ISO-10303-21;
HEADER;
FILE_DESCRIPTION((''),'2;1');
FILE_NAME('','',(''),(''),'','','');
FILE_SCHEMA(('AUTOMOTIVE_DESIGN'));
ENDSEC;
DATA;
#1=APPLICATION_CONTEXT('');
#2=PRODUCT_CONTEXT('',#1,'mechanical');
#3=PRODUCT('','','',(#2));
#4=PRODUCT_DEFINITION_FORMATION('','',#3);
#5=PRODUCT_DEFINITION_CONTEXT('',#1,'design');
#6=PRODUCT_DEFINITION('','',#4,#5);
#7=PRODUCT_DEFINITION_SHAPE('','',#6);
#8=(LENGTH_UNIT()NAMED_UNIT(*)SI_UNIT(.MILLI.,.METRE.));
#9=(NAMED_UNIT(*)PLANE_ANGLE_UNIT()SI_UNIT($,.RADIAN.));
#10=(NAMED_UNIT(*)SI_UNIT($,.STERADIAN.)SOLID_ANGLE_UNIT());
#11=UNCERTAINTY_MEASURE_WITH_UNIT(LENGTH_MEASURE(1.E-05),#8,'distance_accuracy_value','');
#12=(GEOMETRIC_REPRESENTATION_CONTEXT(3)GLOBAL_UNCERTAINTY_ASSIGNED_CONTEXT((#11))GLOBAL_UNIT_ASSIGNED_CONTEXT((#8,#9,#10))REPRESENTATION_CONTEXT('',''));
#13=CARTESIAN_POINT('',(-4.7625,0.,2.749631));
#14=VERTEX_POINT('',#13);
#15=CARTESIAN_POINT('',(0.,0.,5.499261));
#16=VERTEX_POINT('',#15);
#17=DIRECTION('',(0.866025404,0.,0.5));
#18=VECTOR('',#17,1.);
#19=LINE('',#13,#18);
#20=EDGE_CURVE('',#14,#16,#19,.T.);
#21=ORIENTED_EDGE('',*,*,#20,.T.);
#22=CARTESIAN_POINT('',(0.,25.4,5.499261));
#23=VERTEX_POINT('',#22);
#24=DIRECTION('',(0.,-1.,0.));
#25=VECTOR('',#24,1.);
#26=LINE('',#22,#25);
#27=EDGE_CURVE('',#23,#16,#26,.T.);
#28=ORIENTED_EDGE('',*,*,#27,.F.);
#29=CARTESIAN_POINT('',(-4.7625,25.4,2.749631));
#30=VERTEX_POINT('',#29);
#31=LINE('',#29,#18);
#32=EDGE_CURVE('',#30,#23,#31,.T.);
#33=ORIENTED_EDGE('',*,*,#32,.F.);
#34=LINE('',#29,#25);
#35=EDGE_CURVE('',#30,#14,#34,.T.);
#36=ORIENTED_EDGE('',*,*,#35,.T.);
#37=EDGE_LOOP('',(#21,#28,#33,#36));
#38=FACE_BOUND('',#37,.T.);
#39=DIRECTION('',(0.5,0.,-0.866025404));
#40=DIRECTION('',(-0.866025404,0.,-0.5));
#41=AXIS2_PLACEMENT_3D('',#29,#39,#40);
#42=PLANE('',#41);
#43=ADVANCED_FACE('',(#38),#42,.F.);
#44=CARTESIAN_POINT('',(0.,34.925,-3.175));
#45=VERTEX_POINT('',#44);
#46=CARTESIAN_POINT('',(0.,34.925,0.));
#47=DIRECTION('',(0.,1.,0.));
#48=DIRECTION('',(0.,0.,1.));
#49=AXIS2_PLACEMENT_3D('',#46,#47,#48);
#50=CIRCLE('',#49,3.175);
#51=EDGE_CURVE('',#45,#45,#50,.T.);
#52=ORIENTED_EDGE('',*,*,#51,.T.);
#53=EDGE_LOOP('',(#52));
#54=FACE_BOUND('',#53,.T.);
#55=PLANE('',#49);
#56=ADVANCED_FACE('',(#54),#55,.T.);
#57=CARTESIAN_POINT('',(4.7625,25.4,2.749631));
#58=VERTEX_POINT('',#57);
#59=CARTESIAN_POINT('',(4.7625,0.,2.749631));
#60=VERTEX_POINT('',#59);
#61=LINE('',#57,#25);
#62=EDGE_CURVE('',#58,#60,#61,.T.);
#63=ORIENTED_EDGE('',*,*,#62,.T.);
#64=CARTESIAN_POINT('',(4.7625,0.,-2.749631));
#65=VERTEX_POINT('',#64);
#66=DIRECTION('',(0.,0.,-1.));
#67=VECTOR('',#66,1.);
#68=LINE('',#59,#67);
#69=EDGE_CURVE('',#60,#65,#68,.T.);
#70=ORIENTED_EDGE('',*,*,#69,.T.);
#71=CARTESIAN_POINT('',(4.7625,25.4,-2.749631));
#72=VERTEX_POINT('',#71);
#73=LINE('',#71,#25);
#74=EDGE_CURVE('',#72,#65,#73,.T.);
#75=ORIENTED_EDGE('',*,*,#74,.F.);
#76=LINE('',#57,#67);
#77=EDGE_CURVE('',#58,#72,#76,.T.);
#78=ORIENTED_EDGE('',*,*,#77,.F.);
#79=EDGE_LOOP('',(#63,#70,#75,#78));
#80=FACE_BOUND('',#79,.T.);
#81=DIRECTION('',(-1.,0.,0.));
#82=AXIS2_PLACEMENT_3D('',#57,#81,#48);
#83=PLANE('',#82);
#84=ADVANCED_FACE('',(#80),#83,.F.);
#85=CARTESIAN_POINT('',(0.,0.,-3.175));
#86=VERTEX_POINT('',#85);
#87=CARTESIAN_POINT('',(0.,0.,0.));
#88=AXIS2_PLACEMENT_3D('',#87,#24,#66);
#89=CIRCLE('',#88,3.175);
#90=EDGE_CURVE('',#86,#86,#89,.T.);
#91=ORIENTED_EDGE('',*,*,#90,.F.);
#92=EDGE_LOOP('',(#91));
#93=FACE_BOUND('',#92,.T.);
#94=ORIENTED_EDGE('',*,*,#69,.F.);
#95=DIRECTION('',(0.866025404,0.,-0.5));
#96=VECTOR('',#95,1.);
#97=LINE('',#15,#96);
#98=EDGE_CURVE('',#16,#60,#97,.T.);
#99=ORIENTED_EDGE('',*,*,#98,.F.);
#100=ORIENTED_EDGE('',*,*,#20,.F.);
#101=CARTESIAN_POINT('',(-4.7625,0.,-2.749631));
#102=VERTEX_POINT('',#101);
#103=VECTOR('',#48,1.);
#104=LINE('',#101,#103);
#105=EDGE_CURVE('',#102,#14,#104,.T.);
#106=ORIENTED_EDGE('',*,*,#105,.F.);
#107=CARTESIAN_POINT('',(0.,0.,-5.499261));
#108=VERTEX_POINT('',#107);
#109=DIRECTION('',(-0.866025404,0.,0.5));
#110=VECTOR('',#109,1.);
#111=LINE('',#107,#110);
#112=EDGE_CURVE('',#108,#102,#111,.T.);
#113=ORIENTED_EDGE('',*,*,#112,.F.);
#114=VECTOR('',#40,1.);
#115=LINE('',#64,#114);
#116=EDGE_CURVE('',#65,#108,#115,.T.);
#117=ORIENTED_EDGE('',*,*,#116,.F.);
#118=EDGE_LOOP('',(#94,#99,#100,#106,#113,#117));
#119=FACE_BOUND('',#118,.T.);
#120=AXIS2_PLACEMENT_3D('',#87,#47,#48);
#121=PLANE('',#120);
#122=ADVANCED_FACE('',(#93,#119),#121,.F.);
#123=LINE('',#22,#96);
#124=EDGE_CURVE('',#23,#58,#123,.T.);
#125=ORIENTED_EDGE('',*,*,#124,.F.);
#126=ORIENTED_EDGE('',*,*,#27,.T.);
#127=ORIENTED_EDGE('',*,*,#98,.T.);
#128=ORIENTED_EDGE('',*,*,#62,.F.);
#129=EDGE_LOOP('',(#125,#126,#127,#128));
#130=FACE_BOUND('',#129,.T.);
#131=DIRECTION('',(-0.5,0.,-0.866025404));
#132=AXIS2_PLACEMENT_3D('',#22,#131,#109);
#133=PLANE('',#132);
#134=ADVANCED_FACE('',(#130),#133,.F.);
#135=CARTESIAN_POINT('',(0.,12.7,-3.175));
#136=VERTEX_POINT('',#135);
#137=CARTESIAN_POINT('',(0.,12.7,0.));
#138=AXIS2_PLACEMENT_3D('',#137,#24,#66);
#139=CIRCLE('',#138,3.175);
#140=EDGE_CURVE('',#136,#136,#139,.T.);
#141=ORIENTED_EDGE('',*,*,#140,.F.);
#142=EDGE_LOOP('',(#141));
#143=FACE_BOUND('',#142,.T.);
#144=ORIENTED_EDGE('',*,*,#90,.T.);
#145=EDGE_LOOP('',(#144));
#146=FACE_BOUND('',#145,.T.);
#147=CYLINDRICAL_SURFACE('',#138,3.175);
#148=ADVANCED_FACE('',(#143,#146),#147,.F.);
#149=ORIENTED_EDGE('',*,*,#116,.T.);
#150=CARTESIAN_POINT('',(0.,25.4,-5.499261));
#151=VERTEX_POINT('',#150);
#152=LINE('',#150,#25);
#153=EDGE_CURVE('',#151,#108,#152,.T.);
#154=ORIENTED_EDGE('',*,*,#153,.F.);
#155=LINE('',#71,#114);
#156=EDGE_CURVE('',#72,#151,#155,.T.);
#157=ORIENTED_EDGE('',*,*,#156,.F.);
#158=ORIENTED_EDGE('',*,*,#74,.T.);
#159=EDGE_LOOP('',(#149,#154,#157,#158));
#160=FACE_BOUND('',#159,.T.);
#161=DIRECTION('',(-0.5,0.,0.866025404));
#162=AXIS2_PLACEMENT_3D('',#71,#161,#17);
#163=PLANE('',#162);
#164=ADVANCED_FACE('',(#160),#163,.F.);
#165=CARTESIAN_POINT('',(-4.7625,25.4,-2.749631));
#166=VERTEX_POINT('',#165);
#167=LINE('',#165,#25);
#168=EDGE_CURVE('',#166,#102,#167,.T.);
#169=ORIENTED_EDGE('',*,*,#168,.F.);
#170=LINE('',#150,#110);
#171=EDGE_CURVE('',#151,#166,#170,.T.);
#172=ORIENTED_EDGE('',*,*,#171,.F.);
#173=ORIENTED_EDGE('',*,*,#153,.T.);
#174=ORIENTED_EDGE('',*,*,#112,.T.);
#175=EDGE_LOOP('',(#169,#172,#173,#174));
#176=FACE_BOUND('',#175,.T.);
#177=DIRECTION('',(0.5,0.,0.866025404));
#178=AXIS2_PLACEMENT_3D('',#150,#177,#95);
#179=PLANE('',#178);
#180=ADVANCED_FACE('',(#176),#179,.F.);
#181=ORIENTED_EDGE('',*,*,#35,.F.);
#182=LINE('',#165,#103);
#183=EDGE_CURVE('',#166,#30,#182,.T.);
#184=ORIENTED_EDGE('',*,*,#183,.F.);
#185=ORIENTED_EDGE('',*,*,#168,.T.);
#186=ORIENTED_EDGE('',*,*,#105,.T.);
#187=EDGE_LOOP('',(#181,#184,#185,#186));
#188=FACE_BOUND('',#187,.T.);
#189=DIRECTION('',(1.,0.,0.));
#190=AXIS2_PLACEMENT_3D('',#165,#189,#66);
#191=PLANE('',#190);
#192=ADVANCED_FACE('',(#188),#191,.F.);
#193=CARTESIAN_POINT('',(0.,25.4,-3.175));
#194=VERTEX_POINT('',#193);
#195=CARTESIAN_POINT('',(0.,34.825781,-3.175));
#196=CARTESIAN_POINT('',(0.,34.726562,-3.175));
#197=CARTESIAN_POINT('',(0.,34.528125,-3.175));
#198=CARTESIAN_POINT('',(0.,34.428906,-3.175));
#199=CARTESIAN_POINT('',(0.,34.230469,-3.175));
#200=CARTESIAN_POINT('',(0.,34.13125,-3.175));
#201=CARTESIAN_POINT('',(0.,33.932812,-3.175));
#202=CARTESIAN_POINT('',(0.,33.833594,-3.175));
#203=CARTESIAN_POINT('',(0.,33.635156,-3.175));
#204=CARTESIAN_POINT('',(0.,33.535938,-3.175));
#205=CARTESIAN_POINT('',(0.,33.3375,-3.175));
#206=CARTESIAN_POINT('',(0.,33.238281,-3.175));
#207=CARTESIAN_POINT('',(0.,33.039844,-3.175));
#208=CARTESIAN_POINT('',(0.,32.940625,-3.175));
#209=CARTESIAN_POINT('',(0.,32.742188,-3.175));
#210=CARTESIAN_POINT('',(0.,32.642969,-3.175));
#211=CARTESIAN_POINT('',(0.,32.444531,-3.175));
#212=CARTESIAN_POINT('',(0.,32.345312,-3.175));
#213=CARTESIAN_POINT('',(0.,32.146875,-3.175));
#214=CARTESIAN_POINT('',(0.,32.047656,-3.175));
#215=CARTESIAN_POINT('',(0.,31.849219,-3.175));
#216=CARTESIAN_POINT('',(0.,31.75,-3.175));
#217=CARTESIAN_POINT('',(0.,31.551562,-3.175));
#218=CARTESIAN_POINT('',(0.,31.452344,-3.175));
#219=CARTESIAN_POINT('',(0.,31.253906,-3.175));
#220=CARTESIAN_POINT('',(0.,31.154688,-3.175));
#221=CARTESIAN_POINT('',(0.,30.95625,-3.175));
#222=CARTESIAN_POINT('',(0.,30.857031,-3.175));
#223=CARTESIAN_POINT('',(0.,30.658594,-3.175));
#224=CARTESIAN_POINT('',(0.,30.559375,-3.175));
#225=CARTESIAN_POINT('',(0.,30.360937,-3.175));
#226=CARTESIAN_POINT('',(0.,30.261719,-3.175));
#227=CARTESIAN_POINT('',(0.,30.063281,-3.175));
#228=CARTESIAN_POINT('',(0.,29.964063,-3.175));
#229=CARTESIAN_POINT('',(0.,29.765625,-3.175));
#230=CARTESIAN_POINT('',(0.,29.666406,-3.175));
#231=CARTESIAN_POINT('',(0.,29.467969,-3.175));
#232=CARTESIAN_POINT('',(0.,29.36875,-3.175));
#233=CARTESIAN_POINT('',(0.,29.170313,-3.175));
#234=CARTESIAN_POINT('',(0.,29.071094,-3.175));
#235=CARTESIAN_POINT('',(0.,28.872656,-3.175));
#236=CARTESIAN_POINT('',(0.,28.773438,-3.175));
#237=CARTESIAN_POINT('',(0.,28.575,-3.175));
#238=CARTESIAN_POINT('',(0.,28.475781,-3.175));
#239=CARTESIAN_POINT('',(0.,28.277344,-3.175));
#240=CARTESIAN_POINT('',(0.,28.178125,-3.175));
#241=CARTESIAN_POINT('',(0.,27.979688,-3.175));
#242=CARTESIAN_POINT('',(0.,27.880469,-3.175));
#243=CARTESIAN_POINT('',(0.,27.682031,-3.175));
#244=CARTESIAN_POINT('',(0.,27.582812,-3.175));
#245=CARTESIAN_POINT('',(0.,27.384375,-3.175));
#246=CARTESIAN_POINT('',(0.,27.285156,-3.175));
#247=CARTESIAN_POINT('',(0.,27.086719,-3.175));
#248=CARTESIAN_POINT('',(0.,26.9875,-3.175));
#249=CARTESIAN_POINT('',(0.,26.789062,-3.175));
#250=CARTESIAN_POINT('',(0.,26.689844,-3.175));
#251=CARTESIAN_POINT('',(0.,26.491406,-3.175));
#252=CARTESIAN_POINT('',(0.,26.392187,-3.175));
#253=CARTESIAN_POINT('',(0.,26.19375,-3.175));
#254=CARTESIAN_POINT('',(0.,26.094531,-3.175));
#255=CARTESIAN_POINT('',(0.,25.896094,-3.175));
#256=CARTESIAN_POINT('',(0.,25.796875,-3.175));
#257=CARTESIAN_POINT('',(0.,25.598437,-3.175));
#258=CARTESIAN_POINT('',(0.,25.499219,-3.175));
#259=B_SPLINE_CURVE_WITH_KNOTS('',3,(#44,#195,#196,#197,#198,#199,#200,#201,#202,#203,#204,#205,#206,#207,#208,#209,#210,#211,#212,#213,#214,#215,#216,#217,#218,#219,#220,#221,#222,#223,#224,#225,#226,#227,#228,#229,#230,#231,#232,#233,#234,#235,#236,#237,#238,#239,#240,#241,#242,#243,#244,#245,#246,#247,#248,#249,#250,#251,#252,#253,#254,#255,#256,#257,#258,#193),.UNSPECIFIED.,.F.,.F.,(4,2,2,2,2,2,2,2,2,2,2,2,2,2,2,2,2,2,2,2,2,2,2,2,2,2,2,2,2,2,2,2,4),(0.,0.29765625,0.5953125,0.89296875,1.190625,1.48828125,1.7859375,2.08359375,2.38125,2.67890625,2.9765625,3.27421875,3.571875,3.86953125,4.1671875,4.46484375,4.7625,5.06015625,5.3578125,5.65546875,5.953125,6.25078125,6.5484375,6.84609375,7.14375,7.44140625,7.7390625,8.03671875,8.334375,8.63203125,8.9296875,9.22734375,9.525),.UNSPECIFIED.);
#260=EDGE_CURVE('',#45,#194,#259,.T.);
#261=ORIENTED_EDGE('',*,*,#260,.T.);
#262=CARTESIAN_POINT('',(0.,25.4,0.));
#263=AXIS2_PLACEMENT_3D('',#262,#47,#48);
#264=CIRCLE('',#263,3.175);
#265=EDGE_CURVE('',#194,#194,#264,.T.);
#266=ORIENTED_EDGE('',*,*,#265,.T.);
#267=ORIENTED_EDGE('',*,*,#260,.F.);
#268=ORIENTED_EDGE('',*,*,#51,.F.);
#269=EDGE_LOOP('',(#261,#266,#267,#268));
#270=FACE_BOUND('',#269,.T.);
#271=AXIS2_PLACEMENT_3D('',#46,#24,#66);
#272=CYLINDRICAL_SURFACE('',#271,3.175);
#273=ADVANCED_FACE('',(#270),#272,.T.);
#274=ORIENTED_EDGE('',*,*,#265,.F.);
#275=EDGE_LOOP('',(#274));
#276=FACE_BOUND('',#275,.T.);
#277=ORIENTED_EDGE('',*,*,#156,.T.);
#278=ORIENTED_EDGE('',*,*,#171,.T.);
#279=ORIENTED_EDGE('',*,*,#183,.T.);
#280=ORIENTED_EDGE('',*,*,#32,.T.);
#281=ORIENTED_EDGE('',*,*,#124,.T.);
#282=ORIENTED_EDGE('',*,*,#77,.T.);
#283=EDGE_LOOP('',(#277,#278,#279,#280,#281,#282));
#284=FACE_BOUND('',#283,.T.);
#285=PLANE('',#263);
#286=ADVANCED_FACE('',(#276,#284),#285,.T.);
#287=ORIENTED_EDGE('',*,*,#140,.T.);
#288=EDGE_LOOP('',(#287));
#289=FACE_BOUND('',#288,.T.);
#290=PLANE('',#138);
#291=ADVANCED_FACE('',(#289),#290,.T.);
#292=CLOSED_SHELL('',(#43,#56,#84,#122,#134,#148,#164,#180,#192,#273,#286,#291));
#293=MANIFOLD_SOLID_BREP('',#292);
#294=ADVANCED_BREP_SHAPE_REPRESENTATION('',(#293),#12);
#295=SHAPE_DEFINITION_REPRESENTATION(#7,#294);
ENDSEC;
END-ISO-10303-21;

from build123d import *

# Parameters (mm, degrees)
BOSS_EXTRUDE1_DEPTH = 25.4
SKETCH2_R           = 3.175
CUT_EXTRUDE1_DEPTH  = 12.7
SKETCH3_R           = 3.175
BOSS_EXTRUDE2_DEPTH = 9.525


with BuildPart() as part:
    # Sketch1 → Boss-Extrude1 (new body)
    with BuildSketch(Plane(origin=(0, 0, 0), x_dir=(1, 0, 0), z_dir=(0, 1, 0))):
        Polygon((0, 5.499261314), (-4.7625, 2.749630657), (-4.7625, -2.749630657), (0, -5.499261314), (4.7625, -2.749630657), (4.7625, 2.749630657), align=None)
    extrude(amount=BOSS_EXTRUDE1_DEPTH)

    # Sketch2 → Cut-Extrude1 (cut)
    with BuildSketch(Plane.XZ):
        with Locations(Location((0, 0, 0), (0, 0, 270))):
            Circle(SKETCH2_R)
    extrude(amount=-CUT_EXTRUDE1_DEPTH, mode=Mode.SUBTRACT)

    # Sketch3 → Boss-Extrude2 (add)
    with BuildSketch(Plane(origin=(0, 25.4, 0), x_dir=(1, 0, 0), z_dir=(0, 1, 0))):
        with Locations(Location((0, 0, 0), (0, 0, 90))):
            Circle(SKETCH3_R)
    extrude(amount=BOSS_EXTRUDE2_DEPTH)


solid = part.part
